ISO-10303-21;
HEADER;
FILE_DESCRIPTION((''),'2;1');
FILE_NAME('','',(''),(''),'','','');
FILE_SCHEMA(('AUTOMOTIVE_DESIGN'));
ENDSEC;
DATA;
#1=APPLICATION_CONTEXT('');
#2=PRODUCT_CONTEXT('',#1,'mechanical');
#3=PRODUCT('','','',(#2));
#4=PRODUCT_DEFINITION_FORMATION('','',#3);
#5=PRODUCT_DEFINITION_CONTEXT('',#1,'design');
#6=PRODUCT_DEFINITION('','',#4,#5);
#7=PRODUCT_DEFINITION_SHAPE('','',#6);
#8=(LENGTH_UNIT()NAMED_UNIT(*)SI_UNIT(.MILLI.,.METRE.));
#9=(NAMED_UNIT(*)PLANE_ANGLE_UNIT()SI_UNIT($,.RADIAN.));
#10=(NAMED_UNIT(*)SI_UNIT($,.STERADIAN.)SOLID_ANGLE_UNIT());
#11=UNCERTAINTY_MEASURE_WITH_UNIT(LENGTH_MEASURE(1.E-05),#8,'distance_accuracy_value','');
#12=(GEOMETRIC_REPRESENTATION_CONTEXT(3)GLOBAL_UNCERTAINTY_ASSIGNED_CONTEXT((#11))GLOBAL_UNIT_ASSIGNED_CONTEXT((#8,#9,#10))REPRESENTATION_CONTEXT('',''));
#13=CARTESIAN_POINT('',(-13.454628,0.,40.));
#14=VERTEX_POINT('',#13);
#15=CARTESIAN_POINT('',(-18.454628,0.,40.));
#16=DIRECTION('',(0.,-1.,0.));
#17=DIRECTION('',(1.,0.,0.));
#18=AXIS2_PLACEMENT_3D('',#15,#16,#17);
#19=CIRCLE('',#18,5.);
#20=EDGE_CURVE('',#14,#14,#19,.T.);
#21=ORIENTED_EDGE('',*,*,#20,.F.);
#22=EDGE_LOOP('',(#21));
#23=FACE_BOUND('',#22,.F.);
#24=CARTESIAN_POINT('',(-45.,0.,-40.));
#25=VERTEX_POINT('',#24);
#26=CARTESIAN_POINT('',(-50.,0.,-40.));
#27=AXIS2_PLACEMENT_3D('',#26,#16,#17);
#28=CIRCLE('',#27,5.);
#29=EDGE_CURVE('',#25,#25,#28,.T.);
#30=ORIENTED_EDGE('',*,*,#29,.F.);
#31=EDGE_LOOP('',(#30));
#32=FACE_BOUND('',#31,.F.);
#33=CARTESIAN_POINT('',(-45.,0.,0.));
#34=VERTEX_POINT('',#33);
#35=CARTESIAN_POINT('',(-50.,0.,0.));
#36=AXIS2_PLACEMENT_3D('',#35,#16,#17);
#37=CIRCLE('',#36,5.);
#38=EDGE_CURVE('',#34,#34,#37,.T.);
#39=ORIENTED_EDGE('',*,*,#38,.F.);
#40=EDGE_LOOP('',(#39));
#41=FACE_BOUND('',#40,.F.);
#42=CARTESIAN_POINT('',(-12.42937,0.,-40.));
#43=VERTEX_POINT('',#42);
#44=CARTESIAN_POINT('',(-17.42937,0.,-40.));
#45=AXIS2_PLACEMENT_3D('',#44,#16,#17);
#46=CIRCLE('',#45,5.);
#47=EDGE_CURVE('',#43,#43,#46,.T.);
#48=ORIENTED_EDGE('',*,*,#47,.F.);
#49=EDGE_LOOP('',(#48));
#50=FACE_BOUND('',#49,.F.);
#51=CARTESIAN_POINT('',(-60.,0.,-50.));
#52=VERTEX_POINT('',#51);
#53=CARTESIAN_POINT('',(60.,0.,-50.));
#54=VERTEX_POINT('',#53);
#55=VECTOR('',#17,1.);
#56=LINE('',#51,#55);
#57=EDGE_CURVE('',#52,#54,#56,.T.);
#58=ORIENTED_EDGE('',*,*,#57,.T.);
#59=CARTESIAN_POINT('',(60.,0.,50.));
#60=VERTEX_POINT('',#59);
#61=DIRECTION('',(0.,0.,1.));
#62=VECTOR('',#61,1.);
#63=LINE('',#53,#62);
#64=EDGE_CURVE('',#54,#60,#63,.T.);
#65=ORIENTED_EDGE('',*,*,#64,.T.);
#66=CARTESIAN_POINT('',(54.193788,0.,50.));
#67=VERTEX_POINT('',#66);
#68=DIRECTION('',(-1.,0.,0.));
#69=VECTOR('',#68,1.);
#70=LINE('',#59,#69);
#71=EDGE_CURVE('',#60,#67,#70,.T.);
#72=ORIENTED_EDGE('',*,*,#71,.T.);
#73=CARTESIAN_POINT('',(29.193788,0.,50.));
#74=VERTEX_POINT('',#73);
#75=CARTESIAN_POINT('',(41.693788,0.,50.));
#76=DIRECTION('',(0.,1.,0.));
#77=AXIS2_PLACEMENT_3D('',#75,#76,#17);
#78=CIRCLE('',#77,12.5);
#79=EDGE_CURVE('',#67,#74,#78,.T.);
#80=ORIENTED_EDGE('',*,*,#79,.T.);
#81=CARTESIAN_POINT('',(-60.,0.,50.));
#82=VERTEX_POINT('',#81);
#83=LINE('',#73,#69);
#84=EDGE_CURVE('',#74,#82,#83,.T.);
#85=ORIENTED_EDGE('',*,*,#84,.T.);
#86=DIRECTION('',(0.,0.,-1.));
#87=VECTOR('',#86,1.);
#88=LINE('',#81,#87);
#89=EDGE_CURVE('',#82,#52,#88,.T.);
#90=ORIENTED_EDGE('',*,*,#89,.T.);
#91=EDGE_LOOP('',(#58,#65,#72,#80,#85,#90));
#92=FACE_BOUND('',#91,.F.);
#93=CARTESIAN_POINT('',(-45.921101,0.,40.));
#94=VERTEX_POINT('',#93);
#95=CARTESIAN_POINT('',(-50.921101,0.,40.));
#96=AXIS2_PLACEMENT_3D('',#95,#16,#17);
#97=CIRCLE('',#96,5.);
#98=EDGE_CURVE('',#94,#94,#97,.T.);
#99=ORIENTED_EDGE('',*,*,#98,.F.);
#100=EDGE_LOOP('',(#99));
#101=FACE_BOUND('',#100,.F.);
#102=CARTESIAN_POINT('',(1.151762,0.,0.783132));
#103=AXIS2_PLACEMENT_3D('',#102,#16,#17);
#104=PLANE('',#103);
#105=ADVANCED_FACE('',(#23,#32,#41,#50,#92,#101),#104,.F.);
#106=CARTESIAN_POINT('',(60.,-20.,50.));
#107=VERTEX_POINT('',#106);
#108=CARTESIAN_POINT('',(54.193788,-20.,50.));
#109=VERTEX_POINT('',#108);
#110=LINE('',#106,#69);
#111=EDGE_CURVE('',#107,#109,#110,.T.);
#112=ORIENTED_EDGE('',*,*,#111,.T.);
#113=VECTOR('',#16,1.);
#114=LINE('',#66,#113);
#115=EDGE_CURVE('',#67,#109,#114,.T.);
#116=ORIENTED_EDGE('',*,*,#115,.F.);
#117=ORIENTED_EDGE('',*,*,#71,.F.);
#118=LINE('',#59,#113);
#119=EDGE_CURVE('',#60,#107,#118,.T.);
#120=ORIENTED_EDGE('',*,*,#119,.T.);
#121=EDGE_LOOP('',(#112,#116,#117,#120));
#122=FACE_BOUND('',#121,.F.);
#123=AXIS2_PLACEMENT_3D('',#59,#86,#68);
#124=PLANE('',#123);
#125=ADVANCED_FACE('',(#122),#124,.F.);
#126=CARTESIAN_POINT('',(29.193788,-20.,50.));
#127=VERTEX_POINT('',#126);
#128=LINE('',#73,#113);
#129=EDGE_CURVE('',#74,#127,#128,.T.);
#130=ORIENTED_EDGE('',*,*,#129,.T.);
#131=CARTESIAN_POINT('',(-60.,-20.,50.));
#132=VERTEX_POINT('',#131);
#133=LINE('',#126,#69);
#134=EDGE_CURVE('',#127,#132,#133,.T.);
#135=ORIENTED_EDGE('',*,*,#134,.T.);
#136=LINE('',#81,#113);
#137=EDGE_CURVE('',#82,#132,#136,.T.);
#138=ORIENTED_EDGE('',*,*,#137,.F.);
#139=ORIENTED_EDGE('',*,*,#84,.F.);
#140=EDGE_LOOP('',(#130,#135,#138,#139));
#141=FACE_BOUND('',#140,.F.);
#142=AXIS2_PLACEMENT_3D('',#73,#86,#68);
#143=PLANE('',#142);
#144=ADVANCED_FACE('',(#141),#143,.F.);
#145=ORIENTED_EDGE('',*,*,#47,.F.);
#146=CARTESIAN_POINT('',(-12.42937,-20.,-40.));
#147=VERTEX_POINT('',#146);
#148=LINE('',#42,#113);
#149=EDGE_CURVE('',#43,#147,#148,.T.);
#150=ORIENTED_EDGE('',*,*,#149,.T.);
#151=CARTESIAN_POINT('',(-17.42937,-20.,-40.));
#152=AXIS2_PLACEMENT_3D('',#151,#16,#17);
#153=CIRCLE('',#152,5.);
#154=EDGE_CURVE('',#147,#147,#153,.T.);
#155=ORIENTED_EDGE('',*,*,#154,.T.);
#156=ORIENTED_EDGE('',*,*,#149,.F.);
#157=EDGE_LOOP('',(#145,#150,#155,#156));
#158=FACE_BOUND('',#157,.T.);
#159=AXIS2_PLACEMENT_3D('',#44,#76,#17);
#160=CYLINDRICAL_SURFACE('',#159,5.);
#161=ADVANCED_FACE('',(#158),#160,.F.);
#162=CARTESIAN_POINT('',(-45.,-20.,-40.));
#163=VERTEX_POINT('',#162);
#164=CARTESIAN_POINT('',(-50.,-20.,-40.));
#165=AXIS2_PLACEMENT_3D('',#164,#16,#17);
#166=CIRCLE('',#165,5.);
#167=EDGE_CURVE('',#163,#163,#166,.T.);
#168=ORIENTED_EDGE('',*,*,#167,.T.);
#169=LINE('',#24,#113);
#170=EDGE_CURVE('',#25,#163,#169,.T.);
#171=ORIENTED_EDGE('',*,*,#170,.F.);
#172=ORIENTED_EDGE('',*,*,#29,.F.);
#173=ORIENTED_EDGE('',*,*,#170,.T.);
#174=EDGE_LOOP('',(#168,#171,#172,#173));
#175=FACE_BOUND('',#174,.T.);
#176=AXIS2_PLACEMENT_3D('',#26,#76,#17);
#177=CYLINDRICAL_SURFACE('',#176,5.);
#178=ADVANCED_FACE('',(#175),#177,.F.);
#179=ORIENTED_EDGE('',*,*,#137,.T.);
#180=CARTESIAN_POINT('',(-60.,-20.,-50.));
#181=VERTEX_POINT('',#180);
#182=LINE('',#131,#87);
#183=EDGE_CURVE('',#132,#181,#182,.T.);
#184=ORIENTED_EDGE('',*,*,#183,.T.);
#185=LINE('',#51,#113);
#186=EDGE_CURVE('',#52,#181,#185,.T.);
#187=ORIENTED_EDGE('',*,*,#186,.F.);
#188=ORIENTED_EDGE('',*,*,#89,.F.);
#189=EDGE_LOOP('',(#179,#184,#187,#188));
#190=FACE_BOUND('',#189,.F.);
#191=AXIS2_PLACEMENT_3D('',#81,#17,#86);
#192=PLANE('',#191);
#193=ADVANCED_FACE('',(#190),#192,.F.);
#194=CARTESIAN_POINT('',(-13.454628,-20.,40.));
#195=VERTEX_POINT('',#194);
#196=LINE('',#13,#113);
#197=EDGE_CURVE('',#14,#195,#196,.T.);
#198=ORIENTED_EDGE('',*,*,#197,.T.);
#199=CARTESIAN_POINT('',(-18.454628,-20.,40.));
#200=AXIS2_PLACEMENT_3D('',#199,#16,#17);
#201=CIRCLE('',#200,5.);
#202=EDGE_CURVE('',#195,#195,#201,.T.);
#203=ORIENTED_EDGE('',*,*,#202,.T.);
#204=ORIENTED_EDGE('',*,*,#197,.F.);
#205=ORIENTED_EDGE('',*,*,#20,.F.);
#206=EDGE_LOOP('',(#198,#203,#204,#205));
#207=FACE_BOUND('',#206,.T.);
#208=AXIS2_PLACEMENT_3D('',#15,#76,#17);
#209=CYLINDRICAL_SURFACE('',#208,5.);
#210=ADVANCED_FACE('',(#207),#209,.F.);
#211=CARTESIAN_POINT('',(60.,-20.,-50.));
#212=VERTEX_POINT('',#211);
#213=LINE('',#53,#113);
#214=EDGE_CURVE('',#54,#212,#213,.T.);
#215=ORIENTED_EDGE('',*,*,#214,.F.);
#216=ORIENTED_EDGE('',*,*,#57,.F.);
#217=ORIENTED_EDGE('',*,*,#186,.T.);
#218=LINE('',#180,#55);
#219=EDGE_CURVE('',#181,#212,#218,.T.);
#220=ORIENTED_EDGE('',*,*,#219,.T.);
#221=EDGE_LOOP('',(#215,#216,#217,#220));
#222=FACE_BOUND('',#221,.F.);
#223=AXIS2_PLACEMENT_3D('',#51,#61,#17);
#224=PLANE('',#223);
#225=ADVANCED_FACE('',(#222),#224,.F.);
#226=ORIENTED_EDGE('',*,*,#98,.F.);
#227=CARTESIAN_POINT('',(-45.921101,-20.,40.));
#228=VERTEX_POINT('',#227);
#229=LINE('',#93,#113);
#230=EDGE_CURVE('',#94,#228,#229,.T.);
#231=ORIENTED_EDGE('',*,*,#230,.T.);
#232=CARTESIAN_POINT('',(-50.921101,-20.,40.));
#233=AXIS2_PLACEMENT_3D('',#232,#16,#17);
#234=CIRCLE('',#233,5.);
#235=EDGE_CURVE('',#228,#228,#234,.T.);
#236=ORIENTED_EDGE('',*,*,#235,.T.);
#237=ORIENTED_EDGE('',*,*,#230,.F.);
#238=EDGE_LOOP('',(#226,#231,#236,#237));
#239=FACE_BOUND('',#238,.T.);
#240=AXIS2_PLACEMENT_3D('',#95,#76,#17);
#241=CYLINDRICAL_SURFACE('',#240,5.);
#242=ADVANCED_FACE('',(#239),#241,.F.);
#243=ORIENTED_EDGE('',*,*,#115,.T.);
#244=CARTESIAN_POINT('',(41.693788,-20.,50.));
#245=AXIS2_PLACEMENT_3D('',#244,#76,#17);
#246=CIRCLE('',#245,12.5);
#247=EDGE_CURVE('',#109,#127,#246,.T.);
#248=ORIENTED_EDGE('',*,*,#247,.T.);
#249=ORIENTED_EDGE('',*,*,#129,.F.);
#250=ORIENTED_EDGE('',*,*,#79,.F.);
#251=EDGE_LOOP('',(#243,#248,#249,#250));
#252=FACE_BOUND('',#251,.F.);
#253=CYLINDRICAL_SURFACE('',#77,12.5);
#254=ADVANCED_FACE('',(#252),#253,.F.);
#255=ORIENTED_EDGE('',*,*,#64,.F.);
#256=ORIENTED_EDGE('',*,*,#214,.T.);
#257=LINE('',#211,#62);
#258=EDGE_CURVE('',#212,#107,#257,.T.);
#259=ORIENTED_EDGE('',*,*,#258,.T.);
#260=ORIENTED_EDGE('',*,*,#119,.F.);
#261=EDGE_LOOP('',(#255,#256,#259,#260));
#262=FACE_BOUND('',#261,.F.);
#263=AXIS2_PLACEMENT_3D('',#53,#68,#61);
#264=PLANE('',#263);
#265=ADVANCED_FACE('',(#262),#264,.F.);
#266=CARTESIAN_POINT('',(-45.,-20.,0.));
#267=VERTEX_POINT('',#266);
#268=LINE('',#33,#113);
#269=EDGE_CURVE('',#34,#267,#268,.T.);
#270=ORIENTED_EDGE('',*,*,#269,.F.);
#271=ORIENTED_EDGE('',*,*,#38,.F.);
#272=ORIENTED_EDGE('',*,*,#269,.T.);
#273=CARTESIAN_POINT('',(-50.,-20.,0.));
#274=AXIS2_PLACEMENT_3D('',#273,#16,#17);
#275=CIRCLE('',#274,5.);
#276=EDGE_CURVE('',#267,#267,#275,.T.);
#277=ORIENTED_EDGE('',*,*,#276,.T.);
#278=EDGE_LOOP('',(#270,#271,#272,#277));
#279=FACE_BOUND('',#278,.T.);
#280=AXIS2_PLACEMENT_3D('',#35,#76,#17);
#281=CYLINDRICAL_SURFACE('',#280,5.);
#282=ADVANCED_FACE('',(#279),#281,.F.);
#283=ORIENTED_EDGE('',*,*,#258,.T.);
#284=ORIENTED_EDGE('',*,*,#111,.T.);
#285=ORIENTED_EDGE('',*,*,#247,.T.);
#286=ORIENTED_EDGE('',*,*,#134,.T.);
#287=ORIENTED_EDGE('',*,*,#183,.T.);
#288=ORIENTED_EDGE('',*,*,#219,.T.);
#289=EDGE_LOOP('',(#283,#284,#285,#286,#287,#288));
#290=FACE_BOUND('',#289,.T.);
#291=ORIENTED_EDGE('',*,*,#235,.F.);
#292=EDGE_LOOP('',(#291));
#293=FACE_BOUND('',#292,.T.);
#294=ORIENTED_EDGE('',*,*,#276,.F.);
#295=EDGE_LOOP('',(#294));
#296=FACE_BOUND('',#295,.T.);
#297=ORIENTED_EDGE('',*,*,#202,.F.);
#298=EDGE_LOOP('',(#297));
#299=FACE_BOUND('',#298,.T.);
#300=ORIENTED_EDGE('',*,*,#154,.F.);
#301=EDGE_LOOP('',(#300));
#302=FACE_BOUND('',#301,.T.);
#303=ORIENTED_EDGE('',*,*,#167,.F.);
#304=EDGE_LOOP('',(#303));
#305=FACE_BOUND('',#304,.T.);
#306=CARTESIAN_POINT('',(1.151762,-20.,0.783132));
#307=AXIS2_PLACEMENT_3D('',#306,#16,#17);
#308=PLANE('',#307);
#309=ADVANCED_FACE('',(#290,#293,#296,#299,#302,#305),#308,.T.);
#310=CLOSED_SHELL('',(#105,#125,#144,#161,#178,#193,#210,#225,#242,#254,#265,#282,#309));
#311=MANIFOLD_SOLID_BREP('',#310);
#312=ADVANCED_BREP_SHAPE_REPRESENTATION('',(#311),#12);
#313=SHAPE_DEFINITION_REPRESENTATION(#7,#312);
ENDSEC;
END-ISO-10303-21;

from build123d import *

# Parameters (mm, degrees)
F0_R     = 5
F2_DEPTH = 20


with BuildPart() as f2:
    # F0 (on Front) → F2 (new body)
    with BuildSketch(Plane.XZ):
        with BuildLine():
            Line((29.193788, 50), (-60, 50))
            Line((-60, 50), (-60, -50))
            Line((-60, -50), (60, -50))
            Line((60, -50), (60, 50))
            Line((60, 50), (54.193788, 50))
            ThreePointArc((54.193788, 50), (41.693788, 37.5), (29.193788, 50))
        make_face()
        with Locations((-50, -40)):
            Circle(F0_R, mode=Mode.SUBTRACT)
        with Locations((-17.42937, -40)):
            Circle(F0_R, mode=Mode.SUBTRACT)
        with Locations((-50, 0)):
            Circle(F0_R, mode=Mode.SUBTRACT)
        with Locations((-50.921101, 40)):
            Circle(F0_R, mode=Mode.SUBTRACT)
        with Locations((-18.454628, 40)):
            Circle(F0_R, mode=Mode.SUBTRACT)
    extrude(amount=F2_DEPTH)


solid = f2.part
